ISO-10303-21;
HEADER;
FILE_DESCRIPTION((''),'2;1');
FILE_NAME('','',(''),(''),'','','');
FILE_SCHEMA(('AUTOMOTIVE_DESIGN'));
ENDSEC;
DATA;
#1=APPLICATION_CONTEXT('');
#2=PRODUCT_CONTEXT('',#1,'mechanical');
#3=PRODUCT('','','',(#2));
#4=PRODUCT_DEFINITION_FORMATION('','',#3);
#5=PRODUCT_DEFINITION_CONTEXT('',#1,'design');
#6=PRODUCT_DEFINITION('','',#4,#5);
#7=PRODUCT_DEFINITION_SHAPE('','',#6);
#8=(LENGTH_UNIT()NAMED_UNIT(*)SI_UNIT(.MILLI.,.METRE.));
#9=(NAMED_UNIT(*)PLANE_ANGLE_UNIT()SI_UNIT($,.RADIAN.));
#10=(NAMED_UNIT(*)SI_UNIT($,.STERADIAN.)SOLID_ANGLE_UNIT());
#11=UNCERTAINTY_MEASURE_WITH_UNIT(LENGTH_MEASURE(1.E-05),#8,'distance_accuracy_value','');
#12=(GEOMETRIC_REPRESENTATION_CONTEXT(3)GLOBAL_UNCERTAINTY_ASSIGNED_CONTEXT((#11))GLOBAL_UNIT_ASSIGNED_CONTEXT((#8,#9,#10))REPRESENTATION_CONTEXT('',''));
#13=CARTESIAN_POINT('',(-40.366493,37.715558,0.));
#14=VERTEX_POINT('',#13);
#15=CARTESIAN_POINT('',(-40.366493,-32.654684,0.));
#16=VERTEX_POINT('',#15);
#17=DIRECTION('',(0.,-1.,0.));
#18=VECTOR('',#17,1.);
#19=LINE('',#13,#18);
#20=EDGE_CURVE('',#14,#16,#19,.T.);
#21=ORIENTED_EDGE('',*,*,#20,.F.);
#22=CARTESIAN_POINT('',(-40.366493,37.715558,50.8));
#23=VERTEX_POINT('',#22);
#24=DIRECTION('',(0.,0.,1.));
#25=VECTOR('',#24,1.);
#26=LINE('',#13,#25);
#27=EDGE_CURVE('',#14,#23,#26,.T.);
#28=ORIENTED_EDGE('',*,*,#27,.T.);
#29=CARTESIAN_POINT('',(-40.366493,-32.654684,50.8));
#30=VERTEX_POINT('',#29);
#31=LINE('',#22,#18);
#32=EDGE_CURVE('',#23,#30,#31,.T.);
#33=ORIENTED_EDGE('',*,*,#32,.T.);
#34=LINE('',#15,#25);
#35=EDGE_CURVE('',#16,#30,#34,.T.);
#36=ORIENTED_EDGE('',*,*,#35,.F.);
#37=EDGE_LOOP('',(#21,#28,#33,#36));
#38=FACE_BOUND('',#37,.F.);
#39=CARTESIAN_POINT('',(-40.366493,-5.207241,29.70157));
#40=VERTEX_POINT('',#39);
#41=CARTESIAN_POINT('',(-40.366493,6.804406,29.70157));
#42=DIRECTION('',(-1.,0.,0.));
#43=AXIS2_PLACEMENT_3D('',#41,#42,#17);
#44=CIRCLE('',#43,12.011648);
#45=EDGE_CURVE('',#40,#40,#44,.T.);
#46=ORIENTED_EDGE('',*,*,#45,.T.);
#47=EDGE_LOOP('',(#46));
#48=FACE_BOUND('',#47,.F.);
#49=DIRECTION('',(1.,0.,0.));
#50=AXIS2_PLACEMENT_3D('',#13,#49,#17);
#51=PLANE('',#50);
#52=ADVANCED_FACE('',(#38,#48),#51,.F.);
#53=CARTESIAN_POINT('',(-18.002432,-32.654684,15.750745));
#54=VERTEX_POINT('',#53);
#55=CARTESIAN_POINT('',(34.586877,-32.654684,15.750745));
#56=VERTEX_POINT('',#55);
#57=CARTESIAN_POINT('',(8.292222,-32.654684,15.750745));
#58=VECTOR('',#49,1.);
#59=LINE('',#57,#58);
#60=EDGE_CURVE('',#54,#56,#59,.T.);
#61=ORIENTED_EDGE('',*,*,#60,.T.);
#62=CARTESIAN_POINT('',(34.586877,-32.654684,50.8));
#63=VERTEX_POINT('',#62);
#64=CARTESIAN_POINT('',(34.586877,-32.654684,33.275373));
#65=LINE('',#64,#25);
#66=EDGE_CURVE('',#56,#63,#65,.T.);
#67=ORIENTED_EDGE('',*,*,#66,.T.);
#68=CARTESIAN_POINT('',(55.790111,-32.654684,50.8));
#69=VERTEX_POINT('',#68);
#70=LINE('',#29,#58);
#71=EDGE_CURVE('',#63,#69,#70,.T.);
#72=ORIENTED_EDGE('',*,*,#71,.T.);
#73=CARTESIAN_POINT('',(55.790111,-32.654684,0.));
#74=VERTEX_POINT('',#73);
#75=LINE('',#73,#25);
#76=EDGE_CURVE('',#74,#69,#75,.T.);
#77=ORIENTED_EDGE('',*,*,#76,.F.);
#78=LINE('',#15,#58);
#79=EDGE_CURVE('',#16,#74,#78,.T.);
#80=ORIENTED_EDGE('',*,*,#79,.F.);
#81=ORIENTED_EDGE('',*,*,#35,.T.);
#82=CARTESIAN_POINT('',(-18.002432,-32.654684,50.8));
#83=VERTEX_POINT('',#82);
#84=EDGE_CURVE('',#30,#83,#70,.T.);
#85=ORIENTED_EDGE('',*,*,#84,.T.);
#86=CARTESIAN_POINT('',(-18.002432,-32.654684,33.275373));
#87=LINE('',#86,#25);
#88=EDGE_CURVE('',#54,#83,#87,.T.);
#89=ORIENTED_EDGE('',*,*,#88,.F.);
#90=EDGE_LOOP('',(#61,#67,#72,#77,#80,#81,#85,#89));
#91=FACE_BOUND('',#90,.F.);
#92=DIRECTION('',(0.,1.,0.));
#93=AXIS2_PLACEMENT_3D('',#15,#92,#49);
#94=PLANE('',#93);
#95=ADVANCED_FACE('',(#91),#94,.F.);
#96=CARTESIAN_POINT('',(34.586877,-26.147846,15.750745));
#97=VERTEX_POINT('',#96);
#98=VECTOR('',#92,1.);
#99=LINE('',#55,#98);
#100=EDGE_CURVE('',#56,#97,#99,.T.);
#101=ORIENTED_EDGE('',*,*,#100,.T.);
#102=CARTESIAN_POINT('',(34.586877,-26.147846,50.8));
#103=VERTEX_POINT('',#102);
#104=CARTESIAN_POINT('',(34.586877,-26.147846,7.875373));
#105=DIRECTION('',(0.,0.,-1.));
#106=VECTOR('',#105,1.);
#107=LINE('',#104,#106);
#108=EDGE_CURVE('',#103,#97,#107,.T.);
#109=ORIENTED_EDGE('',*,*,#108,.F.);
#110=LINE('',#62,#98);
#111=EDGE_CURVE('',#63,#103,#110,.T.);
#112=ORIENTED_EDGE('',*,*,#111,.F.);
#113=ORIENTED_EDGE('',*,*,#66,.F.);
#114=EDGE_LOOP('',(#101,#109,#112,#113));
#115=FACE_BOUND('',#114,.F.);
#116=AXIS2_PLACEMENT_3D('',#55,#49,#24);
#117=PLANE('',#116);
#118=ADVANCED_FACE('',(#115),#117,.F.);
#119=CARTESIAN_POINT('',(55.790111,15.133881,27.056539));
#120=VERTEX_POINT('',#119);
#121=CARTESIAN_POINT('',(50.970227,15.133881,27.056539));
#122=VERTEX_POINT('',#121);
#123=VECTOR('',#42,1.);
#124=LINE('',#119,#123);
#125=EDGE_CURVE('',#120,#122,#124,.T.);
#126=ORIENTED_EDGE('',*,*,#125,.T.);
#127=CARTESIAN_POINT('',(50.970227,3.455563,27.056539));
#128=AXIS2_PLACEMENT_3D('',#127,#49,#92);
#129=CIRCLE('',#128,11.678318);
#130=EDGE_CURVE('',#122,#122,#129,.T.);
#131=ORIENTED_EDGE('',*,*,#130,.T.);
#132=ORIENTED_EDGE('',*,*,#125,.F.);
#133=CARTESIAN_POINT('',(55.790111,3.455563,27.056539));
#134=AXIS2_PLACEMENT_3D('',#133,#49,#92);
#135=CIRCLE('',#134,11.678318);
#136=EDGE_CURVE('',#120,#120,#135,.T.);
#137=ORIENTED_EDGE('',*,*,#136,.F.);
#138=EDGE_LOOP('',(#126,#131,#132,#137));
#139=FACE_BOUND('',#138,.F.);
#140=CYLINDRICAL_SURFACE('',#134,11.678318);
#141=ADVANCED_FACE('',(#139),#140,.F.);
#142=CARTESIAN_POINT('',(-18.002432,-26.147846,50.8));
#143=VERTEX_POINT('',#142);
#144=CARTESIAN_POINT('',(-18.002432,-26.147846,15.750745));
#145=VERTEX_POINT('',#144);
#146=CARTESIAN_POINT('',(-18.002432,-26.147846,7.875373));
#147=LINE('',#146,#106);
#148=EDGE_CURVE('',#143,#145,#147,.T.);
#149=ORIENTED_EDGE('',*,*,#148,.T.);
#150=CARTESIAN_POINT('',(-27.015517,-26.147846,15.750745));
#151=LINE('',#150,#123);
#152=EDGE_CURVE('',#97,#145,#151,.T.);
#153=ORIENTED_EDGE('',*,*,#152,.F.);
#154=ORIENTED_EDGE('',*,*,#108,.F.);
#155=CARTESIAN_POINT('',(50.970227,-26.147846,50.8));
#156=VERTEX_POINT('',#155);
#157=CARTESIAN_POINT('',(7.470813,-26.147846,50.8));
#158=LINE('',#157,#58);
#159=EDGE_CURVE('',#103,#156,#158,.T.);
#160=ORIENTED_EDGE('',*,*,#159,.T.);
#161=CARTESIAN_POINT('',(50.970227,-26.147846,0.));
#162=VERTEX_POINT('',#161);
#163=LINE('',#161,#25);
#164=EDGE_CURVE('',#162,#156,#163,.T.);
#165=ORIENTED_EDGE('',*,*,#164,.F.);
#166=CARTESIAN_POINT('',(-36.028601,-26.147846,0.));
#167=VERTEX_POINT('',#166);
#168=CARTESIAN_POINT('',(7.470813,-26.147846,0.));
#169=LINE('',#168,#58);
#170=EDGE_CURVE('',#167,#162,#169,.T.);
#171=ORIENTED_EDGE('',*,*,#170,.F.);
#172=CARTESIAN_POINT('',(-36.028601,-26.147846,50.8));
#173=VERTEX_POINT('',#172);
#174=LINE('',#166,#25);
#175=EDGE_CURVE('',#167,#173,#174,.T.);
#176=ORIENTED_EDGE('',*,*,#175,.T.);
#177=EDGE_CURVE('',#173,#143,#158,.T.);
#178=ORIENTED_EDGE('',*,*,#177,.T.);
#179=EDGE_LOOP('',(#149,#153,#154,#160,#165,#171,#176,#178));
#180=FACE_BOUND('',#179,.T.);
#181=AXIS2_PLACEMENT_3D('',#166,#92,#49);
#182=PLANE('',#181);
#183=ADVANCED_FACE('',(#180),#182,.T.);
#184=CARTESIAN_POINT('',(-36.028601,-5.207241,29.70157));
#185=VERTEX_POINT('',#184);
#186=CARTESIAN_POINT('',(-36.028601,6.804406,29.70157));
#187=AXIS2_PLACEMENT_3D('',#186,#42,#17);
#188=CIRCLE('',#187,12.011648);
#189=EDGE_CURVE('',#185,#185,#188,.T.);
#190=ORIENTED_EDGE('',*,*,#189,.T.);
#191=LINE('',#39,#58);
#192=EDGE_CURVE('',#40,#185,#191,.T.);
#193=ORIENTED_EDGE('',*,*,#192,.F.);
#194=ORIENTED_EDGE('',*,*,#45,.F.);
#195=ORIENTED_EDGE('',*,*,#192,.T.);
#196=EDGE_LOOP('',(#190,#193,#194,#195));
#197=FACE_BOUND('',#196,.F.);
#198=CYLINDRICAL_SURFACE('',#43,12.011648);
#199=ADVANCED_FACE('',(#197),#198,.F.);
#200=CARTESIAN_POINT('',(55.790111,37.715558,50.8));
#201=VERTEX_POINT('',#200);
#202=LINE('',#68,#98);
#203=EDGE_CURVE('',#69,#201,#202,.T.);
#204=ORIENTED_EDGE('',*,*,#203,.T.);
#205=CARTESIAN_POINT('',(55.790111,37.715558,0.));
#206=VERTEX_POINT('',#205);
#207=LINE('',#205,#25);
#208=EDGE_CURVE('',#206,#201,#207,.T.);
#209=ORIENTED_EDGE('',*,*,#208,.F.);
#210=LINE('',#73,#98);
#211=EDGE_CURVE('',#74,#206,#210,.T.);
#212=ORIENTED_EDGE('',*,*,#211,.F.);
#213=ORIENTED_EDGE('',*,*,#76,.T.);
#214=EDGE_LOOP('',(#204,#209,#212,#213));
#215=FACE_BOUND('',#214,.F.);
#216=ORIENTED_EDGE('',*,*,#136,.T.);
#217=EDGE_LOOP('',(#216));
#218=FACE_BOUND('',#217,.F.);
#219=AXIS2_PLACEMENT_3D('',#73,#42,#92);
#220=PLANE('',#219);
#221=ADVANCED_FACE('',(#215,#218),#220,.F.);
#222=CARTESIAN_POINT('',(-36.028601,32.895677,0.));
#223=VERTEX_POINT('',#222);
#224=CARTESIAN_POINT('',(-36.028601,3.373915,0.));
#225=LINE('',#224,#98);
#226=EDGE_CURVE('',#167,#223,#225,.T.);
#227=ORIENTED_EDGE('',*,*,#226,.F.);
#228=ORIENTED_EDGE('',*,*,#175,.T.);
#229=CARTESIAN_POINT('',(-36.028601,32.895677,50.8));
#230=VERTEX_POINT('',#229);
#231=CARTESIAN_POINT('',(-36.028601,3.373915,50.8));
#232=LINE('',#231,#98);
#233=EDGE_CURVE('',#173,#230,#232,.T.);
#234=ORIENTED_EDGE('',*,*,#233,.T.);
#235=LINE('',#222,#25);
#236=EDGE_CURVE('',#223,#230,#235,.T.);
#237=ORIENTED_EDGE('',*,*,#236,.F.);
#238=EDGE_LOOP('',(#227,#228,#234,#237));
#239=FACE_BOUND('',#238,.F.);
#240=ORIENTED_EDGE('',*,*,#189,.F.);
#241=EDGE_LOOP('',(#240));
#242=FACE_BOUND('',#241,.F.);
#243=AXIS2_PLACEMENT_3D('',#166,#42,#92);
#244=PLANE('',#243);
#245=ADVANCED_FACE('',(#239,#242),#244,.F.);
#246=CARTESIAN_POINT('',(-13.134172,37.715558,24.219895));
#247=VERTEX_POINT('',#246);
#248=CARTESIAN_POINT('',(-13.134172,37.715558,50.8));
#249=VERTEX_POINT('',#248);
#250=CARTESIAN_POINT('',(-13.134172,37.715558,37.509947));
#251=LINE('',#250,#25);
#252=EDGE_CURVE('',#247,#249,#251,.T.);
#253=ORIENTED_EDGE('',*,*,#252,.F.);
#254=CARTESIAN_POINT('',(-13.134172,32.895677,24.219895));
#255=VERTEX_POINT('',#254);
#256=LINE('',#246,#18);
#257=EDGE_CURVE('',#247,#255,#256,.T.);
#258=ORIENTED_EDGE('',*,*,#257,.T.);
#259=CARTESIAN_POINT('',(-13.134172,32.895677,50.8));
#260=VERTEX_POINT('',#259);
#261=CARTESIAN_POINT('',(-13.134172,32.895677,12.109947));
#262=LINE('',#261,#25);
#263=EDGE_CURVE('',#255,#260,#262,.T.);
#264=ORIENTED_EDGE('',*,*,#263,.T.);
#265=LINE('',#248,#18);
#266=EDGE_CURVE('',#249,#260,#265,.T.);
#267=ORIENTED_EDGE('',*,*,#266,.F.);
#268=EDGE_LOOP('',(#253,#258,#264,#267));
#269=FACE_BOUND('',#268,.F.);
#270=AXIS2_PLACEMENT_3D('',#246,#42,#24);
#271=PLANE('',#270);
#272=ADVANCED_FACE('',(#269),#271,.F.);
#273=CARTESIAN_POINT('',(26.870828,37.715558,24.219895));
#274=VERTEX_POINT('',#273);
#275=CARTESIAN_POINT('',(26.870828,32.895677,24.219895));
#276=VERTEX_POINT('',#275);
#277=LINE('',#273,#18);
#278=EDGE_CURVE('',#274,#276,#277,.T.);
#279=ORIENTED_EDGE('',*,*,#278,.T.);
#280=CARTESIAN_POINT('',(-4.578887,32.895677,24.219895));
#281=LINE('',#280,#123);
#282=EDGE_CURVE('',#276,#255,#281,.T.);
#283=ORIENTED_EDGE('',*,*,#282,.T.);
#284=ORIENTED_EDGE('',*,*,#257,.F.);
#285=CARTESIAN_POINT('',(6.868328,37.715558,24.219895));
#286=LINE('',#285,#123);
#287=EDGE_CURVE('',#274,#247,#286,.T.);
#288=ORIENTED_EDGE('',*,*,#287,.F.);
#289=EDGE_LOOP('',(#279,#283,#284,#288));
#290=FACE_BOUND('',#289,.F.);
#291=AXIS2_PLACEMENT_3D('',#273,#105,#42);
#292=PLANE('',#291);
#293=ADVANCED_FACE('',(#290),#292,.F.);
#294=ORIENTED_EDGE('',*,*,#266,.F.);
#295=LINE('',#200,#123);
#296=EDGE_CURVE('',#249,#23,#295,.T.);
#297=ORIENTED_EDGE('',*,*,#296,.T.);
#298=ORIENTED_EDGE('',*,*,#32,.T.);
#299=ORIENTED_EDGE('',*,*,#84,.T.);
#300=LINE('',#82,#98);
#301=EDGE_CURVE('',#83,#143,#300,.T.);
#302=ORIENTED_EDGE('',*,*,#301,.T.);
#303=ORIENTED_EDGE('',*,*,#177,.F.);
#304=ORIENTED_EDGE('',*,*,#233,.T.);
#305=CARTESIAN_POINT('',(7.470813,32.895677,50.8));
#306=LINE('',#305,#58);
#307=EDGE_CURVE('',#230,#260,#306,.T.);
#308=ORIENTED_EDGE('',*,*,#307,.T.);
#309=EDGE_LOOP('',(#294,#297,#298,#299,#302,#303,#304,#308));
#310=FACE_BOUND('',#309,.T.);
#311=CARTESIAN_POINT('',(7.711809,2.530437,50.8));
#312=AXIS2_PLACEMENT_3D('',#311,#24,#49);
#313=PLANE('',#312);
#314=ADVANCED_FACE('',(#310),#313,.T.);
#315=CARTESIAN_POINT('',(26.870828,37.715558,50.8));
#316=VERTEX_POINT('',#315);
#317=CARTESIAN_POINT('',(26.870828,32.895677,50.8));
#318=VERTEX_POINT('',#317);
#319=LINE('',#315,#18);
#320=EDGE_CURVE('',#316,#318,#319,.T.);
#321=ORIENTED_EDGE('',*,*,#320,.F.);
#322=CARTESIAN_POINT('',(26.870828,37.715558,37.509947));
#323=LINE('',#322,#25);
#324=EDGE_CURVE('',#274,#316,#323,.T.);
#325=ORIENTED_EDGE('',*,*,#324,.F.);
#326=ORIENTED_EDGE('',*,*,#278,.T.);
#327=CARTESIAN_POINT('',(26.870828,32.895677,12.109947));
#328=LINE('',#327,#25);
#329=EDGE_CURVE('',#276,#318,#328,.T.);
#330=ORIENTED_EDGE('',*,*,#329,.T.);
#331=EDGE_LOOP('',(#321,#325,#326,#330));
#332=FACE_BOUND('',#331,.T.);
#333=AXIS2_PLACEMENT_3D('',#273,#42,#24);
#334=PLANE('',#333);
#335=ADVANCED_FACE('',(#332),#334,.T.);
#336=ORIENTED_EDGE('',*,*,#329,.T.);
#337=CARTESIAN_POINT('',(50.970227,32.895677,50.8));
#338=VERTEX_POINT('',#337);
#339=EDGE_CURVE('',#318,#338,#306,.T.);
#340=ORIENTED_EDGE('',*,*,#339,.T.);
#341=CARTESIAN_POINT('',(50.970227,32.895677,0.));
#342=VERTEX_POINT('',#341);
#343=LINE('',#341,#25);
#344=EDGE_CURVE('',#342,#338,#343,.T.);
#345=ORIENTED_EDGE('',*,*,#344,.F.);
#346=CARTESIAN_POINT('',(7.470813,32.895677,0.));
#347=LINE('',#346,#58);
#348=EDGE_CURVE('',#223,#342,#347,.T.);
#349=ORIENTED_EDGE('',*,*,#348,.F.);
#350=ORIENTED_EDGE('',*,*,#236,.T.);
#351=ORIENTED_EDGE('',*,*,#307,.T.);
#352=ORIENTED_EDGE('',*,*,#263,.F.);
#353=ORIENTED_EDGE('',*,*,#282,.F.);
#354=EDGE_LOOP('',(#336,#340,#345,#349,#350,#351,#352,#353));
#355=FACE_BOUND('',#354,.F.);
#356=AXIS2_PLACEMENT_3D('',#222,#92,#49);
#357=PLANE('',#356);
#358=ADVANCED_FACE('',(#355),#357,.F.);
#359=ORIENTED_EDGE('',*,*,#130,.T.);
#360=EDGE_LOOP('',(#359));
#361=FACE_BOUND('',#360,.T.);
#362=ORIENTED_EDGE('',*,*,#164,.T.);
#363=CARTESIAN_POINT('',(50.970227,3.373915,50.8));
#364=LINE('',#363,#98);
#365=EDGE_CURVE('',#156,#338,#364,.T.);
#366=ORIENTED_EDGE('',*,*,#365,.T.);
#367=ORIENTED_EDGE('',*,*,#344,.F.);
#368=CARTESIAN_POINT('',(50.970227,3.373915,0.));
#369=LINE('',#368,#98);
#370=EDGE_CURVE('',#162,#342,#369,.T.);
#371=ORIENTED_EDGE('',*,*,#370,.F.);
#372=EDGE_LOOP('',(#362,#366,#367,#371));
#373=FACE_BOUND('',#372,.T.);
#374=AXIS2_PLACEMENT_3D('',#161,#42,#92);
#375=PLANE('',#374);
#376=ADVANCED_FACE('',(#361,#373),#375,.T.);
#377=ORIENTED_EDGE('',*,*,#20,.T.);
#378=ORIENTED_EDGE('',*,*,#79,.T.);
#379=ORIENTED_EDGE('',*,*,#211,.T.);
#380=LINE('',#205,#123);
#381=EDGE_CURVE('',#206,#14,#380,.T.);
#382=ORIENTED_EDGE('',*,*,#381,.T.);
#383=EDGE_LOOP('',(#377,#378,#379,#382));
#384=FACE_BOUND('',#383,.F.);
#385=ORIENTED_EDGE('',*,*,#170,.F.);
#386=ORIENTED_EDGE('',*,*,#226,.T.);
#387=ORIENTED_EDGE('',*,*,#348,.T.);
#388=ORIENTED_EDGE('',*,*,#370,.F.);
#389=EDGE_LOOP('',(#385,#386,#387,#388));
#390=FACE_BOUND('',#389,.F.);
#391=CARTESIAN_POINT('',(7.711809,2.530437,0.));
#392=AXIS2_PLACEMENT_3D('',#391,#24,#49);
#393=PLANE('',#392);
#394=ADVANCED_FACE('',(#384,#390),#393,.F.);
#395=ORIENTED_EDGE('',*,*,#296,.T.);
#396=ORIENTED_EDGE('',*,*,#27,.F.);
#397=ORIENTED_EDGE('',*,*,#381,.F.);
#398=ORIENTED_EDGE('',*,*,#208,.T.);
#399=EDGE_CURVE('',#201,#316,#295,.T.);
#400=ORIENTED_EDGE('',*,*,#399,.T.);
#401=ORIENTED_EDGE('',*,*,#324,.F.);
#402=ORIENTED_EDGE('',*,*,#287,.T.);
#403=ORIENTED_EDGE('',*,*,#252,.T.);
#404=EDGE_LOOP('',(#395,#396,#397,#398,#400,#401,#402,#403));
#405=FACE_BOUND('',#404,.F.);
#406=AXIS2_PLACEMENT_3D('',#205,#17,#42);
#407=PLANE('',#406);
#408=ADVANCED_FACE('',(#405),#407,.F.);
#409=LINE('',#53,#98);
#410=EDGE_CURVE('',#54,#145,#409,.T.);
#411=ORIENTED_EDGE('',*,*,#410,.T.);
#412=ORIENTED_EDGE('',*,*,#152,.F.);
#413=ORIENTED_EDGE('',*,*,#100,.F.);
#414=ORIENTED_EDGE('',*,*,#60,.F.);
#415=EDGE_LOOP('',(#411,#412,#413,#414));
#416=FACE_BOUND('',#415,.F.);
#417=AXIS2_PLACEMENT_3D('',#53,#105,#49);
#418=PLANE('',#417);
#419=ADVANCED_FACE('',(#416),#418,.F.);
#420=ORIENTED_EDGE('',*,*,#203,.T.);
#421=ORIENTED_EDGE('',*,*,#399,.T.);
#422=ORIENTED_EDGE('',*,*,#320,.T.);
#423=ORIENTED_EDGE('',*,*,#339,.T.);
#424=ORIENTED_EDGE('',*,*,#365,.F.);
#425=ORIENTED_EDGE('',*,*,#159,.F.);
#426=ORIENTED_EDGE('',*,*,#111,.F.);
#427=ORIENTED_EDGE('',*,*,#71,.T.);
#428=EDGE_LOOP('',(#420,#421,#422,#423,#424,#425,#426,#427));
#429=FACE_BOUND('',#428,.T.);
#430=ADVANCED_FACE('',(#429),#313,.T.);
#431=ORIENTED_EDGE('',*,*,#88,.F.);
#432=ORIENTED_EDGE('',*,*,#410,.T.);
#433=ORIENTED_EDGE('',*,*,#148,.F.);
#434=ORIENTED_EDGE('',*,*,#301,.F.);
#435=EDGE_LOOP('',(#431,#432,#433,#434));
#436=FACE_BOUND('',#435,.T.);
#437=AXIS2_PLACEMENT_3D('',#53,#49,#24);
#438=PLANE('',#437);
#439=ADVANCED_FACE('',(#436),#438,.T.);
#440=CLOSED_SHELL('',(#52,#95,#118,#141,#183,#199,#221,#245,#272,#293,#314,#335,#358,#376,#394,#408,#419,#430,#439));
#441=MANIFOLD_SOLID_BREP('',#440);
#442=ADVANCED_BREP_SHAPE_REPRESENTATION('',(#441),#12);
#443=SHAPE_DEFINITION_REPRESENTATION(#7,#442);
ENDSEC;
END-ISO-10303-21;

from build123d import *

# Parameters (mm, degrees)
F0_W     = 86.9988277555
F0_H     = 59.0435229242
F1_DEPTH = 50.8
F3_W     = 52.5893084705
F3_H     = 35.0492546886
F4_DEPTH = 25.4
F5_W     = 40.0050003082
F5_H     = 26.5801052183
F6_DEPTH = 25.4
F2_R     = 12.0116475693
F7_DEPTH = 25.4
F8_R     = 11.6783182931
F9_DEPTH = 25.4


with BuildPart() as f1:
    # F0 (on Top) → F1 (new body)
    with BuildSketch(Plane.XY):
        Polygon((55.7901114225, 37.7155579627), (-40.3664931655, 37.7155579627), (-40.3664931655, 32.8956767917), (-40.3664931655, -26.1478461325), (-40.3664931655, -32.654684037), (50.9702265263, -32.654684037), (55.7901114225, -32.654684037), (55.7901114225, 32.8956767917), align=None)
        with Locations((7.4708126485, 3.3739153296)):
            Rectangle(F0_W, F0_H, mode=Mode.SUBTRACT)
    extrude(amount=F1_DEPTH)

    # F3 (on face) → F4 (cut)
    with BuildSketch(Plane.XZ.offset(32.654684037)):
        with Locations((8.2922223955, 33.2753726557)):
            Rectangle(F3_W, F3_H)
    extrude(amount=-F4_DEPTH, mode=Mode.SUBTRACT)

    # F5 (on face) → F6 (cut)
    with BuildSketch(Plane(origin=(0, 37.7155579627, 0), x_dir=(-1, 0, 0), z_dir=(0, 1, 0))):
        with Locations((-6.8683279678, 37.5099473909)):
            Rectangle(F5_W, F5_H)
    extrude(amount=-F6_DEPTH, mode=Mode.SUBTRACT)

    # F2 (on face) → F7 (cut)
    with BuildSketch(Plane(origin=(-40.3664931655, 0, 0), x_dir=(0, -1, 0), z_dir=(-1, 0, 0))):
        with Locations((-6.8044061773, 29.7015700489)):
            Circle(F2_R)
    extrude(amount=-F7_DEPTH, mode=Mode.SUBTRACT)

    # F8 (on face) → F9 (cut)
    with BuildSketch(Plane.YZ.offset(55.7901114225)):
        with Locations((3.4555627499, 27.0565394312)):
            Circle(F8_R)
    extrude(amount=-F9_DEPTH, mode=Mode.SUBTRACT)


solid = f1.part
